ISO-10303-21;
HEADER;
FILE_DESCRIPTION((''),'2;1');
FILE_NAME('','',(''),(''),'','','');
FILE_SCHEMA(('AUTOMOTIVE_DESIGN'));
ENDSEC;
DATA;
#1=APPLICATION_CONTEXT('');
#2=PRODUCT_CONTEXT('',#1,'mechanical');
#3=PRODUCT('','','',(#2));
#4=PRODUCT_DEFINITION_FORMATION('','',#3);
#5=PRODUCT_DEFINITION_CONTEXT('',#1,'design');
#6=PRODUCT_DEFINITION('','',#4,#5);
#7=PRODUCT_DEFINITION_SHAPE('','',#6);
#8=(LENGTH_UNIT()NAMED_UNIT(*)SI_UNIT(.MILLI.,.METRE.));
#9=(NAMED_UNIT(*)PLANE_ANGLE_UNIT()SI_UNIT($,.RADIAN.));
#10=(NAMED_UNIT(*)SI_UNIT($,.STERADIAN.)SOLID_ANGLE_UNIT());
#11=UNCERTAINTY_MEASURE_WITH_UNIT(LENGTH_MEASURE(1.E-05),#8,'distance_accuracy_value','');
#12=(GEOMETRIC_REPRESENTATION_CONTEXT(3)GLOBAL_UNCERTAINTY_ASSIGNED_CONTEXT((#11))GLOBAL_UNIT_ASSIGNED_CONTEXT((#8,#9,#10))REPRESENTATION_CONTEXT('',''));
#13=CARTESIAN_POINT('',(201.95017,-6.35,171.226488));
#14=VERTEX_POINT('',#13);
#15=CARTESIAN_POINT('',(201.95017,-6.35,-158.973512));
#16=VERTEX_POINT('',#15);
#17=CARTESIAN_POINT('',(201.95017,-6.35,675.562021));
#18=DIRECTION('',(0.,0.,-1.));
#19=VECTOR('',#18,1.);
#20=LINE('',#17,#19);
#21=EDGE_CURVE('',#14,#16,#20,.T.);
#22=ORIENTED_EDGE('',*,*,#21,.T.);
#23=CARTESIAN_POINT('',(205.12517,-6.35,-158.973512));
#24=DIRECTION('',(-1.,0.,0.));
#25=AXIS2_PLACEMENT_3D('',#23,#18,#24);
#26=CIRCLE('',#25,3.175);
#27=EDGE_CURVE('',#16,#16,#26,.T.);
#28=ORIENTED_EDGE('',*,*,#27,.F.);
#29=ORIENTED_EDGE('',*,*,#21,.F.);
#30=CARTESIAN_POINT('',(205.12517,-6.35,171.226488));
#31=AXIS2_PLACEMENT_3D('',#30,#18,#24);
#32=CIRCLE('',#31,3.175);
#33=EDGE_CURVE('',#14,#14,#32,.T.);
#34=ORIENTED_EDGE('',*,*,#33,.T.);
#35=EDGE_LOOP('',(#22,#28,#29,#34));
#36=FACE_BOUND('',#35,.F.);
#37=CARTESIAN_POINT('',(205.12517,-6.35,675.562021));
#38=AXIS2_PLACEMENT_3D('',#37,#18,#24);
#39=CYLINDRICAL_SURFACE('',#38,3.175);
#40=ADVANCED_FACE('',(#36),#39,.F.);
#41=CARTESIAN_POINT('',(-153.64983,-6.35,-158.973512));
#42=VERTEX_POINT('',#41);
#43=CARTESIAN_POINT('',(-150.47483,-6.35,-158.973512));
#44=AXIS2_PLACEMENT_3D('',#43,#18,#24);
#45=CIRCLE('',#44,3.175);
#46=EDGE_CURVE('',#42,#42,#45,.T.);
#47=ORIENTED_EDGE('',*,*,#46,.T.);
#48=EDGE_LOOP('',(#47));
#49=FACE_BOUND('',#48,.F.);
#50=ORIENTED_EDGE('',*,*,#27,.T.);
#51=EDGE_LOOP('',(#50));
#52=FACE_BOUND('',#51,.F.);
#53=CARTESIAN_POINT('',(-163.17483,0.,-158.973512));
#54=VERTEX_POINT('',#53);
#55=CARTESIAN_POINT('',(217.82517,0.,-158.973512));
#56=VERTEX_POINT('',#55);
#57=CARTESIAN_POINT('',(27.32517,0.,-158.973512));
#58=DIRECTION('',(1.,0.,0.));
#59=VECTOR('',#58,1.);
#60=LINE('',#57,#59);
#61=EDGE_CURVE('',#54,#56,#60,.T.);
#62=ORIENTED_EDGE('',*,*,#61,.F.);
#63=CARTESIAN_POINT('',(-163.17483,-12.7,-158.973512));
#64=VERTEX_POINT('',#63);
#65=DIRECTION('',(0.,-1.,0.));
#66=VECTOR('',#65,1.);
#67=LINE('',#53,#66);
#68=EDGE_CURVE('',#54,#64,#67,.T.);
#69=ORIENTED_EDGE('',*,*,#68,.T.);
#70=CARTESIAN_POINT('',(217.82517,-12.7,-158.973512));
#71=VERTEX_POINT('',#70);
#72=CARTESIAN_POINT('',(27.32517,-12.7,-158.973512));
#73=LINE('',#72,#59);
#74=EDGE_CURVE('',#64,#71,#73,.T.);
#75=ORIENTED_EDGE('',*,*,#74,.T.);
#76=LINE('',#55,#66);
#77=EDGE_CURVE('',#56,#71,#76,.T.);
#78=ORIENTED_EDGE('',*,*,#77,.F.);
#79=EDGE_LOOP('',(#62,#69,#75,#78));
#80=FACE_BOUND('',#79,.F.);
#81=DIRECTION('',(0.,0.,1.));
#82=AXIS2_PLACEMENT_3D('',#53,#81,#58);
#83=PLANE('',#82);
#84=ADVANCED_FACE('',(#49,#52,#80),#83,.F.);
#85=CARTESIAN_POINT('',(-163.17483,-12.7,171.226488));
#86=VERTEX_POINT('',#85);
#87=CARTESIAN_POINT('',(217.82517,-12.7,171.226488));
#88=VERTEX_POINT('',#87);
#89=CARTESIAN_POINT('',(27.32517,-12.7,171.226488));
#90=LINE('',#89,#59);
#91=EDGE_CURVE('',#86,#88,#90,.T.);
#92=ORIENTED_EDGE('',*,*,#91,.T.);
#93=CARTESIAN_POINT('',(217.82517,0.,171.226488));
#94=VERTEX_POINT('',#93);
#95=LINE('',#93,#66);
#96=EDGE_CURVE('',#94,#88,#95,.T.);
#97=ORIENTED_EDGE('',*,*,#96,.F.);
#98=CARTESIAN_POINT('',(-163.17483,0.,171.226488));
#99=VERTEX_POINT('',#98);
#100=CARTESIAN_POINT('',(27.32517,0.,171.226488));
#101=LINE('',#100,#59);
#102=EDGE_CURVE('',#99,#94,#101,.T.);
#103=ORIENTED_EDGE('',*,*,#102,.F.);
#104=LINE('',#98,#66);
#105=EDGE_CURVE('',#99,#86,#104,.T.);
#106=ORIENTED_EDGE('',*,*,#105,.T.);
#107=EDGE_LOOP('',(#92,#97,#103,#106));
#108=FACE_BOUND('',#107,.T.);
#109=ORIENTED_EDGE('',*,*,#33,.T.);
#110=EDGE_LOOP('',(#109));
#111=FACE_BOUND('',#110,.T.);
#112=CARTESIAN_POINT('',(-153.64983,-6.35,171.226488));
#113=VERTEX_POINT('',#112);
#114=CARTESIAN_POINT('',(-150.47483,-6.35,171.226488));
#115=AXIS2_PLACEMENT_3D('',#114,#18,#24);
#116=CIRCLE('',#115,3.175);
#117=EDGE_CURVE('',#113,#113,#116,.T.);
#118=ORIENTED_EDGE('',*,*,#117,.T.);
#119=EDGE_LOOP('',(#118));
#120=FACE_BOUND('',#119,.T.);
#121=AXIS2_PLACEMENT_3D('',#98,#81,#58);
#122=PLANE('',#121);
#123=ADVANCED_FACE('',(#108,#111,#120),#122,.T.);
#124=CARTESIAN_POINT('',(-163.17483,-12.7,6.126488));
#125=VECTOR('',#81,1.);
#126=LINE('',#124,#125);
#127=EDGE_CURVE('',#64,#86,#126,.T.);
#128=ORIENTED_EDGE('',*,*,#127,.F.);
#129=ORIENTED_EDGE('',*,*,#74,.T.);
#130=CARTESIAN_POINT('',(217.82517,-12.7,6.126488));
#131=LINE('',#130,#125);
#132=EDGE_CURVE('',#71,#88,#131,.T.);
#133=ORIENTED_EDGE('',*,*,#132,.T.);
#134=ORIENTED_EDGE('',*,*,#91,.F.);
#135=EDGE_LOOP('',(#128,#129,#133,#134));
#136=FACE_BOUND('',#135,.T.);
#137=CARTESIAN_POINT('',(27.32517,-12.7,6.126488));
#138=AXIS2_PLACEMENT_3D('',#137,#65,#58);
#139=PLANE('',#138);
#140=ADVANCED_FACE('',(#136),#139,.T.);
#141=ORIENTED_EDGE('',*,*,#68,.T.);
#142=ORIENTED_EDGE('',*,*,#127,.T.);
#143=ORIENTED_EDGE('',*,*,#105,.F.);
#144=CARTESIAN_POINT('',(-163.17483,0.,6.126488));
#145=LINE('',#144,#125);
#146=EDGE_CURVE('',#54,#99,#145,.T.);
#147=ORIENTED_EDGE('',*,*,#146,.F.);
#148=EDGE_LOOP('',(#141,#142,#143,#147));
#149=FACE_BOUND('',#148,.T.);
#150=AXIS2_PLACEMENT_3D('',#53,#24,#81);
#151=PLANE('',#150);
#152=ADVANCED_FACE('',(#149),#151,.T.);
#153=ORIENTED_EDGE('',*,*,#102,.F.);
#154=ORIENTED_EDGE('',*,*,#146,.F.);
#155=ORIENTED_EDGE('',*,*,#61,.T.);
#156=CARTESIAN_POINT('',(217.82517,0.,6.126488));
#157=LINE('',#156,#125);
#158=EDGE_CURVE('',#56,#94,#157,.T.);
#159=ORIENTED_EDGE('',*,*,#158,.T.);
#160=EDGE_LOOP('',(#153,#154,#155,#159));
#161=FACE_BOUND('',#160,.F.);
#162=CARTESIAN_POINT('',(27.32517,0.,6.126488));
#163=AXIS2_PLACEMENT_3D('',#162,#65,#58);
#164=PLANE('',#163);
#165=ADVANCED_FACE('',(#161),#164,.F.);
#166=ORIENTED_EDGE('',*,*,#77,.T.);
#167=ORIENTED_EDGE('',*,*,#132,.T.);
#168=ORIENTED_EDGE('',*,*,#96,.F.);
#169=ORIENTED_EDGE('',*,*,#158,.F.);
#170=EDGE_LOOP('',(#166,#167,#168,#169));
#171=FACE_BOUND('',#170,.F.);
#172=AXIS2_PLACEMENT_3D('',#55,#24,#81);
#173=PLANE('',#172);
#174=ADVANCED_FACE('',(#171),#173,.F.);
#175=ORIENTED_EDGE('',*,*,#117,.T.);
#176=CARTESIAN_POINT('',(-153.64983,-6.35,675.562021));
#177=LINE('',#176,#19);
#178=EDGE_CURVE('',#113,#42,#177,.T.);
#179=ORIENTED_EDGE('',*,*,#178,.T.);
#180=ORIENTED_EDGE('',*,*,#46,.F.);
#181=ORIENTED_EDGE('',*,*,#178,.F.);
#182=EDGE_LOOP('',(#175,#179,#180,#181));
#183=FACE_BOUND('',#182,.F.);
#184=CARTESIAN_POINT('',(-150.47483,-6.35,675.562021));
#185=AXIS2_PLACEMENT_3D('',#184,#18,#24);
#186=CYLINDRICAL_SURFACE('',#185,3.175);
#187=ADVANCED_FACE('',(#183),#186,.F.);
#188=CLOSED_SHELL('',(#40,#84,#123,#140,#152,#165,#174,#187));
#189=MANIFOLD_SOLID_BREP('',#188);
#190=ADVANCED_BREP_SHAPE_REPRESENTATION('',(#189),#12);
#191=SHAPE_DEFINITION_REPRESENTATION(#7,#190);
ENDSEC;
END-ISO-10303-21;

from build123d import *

# Parameters (mm, degrees)
F0_W     = 381
F0_H     = 330.2
F1_DEPTH = 12.7
F3_D     = 6.35


with BuildPart() as f1:
    # F0 (on Front) → F1 (new body)
    with BuildSketch(Plane.XZ):
        with Locations((27.32517, 6.126488)):
            Rectangle(F0_W, F0_H)
    extrude(amount=F1_DEPTH)

    # F3 (through all)
    with Locations(Plane.XY.offset(171.226488)):
        with Locations((-150.47483, -6.35), (205.12517, -6.35)):
            Hole(F3_D / 2)


solid = f1.part
